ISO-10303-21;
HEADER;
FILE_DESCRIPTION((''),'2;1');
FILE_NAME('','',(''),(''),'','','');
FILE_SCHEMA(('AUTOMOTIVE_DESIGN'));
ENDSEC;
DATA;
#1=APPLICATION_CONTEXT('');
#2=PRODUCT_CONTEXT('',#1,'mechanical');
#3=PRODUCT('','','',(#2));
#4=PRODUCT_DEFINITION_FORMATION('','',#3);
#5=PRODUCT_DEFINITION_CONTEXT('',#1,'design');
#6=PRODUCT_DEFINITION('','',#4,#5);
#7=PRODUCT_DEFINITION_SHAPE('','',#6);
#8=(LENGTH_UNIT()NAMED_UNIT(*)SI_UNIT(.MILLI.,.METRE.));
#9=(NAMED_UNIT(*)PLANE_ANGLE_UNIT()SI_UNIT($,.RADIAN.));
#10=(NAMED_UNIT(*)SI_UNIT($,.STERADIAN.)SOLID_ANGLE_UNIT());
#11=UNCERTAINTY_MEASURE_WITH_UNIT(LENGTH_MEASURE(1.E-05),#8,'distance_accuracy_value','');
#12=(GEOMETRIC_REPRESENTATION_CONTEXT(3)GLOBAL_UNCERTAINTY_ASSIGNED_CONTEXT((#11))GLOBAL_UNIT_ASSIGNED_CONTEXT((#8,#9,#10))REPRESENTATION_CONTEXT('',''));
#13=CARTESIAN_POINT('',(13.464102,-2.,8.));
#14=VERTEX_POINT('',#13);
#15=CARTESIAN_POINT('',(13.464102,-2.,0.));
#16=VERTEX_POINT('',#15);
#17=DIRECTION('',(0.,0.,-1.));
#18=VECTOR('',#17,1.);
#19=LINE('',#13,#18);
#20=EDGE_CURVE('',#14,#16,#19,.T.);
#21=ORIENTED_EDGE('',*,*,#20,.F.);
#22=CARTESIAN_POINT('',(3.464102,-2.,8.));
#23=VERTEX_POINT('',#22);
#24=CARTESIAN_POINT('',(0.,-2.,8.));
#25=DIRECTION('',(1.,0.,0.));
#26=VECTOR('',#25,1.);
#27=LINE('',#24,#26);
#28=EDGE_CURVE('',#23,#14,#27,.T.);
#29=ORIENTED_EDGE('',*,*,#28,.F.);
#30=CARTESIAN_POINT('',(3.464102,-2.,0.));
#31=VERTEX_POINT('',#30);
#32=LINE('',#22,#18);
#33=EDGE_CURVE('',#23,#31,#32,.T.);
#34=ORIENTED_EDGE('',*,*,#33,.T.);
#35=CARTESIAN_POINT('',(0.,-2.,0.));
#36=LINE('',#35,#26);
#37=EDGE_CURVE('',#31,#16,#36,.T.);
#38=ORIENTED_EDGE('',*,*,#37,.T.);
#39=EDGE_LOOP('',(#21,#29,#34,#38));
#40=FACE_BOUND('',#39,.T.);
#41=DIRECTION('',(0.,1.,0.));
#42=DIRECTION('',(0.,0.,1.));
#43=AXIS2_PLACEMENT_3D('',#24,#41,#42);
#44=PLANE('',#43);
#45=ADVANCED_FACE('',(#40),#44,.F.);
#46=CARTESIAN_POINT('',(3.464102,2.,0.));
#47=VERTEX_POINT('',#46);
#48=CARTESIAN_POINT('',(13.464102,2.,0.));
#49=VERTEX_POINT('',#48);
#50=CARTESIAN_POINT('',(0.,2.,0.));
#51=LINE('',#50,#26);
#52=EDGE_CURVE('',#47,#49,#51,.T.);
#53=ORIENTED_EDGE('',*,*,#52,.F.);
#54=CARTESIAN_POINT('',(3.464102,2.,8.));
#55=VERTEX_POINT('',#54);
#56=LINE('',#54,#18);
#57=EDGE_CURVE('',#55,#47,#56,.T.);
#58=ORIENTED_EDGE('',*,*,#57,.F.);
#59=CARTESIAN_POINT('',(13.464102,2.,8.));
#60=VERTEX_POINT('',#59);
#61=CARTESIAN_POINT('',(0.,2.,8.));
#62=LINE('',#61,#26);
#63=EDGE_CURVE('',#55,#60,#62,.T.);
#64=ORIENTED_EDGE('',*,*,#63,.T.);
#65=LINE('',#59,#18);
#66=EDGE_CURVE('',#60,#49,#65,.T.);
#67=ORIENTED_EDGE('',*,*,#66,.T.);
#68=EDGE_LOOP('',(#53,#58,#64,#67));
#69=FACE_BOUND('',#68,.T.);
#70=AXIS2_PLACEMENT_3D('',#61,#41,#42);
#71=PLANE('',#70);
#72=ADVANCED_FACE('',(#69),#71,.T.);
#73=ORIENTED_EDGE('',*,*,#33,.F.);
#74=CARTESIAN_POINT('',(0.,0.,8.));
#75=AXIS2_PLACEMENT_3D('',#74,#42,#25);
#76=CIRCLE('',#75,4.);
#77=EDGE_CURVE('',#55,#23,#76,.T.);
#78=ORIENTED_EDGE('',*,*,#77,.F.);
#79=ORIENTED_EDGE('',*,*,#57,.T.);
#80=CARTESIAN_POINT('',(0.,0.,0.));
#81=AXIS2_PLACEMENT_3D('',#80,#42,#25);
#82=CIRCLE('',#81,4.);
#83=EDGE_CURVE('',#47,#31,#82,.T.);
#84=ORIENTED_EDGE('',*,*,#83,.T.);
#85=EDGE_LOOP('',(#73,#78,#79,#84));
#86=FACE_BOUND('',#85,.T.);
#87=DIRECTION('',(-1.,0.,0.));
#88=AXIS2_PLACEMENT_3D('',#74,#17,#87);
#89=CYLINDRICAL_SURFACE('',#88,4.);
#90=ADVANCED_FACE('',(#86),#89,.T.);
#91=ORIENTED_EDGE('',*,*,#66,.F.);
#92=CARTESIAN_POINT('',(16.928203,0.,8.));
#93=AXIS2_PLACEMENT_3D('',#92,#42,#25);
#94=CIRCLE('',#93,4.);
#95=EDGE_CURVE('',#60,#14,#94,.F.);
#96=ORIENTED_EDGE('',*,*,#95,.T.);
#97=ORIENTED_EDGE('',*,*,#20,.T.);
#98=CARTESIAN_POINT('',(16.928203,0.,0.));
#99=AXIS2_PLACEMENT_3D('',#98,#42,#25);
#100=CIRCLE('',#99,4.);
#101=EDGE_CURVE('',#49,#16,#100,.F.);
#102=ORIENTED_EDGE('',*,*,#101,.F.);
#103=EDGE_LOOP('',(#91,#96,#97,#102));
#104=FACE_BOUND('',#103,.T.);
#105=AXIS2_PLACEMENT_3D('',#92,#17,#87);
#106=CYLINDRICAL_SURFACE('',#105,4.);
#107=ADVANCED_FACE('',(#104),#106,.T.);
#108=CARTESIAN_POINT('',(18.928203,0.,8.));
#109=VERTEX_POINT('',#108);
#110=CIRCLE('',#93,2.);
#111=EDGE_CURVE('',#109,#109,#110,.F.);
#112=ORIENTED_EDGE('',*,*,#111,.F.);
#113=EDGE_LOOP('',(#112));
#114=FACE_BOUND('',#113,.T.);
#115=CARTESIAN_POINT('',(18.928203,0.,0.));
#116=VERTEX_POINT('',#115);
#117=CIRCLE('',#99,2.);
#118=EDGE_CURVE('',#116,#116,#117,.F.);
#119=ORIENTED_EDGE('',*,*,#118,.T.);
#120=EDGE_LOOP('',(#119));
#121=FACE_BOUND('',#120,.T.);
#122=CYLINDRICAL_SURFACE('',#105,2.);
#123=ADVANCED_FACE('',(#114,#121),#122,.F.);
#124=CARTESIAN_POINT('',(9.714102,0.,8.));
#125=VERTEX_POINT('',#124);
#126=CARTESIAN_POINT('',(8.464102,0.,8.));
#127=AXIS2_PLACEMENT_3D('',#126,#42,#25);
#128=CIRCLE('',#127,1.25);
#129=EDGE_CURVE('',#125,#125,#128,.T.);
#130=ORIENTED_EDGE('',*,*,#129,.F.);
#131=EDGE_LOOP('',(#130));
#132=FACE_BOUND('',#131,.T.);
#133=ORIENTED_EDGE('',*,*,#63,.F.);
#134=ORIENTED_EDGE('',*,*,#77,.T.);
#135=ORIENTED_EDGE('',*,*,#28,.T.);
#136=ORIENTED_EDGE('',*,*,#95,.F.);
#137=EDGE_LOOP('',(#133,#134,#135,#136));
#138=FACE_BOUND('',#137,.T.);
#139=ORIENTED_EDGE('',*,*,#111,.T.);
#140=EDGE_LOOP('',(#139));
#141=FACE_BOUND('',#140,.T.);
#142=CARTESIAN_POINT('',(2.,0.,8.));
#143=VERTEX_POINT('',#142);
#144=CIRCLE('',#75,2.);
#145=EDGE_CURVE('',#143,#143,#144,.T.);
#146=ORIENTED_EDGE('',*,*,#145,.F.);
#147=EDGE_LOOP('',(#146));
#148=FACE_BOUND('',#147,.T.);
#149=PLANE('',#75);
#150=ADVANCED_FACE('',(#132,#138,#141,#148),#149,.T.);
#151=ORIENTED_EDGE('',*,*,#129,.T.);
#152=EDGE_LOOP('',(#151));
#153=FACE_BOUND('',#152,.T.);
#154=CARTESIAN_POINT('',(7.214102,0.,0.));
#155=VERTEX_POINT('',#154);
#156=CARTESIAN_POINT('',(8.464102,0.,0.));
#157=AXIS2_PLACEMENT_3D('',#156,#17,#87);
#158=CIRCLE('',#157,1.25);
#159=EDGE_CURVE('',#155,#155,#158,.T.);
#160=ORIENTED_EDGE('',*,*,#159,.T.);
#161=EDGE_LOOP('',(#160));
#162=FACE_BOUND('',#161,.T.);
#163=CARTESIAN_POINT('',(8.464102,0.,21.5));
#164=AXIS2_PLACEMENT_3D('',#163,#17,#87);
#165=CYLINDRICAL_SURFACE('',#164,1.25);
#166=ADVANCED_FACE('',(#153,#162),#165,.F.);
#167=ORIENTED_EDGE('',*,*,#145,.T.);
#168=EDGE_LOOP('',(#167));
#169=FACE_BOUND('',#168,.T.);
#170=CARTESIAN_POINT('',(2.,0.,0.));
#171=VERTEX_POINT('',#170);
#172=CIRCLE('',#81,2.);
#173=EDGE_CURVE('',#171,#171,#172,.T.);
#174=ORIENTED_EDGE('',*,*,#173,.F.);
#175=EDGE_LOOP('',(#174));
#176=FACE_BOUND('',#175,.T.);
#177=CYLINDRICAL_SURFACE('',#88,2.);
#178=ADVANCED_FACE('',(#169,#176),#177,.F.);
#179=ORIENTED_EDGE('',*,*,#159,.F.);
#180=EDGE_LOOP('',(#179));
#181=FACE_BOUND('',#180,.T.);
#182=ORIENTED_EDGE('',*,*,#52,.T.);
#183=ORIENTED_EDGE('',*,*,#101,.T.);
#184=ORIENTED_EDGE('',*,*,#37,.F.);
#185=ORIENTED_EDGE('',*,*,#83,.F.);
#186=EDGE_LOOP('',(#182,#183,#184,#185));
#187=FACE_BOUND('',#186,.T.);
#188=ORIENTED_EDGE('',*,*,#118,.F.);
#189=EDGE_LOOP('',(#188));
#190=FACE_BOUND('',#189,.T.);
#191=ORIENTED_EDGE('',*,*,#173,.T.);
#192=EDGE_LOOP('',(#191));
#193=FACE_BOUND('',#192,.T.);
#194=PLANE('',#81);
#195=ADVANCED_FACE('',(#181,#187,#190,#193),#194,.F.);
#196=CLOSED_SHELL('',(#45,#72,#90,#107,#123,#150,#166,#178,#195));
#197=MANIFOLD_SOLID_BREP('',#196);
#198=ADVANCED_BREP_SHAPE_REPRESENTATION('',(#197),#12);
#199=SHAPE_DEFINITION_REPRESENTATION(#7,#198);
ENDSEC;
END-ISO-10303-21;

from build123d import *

# Parameters (mm, degrees)
CROQUIS1_R              = 4
CROQUIS1_R_2            = 2
SALIENTE_EXTRUIR1_DEPTH = 8
CROQUIS3_R              = 1.25
CORTAR_EXTRUIR1_DEPTH   = 21.5


with BuildPart() as part:
    # Croquis1 → Saliente-Extruir1 (new body)
    # profile 1 of 4: a face of its own
    with BuildSketch(Plane.XY):
        Circle(CROQUIS1_R)
        Circle(CROQUIS1_R_2, mode=Mode.SUBTRACT)
    # profile 2 of 4: a face of its own
    with BuildSketch(Plane.XY):
        with BuildLine():
            Line((8.464101615, 2), (3.464101615, 2))
            ThreePointArc((3.464101615, 2), (3.863703305, 1.03527618), (4, 0))
            ThreePointArc((4, 0), (3.863703305, -1.03527618), (3.464101615, -2))
            Line((3.464101615, -2), (8.464101615, -2))
            Line((8.464101615, -2), (8.464101615, 2))
        make_face()
    # profile 3 of 4: a face of its own
    with BuildSketch(Plane.XY):
        with BuildLine():
            Line((13.464101615, 2), (8.464101615, 2))
            Line((8.464101615, 2), (8.464101615, -2))
            Line((8.464101615, -2), (13.464101615, -2))
            ThreePointArc((13.464101615, -2), (12.92820323, 0), (13.464101615, 2))
        make_face()
    # profile 4 of 4: a face of its own
    with BuildSketch(Plane.XY):
        with Locations((16.92820323, 0)):
            Circle(CROQUIS1_R)
        with Locations((16.92820323, 0)):
            Circle(CROQUIS1_R_2, mode=Mode.SUBTRACT)
    extrude(amount=SALIENTE_EXTRUIR1_DEPTH)

    # Croquis3 → Cortar-Extruir1 (cut)
    with BuildSketch(Plane(origin=(0, 0, 0), x_dir=(-1, 0, 0), z_dir=(0, 0, -1))):
        with Locations((-8.464101615, 0)):
            Circle(CROQUIS3_R)
    extrude(amount=-CORTAR_EXTRUIR1_DEPTH, mode=Mode.SUBTRACT)


solid = part.part
